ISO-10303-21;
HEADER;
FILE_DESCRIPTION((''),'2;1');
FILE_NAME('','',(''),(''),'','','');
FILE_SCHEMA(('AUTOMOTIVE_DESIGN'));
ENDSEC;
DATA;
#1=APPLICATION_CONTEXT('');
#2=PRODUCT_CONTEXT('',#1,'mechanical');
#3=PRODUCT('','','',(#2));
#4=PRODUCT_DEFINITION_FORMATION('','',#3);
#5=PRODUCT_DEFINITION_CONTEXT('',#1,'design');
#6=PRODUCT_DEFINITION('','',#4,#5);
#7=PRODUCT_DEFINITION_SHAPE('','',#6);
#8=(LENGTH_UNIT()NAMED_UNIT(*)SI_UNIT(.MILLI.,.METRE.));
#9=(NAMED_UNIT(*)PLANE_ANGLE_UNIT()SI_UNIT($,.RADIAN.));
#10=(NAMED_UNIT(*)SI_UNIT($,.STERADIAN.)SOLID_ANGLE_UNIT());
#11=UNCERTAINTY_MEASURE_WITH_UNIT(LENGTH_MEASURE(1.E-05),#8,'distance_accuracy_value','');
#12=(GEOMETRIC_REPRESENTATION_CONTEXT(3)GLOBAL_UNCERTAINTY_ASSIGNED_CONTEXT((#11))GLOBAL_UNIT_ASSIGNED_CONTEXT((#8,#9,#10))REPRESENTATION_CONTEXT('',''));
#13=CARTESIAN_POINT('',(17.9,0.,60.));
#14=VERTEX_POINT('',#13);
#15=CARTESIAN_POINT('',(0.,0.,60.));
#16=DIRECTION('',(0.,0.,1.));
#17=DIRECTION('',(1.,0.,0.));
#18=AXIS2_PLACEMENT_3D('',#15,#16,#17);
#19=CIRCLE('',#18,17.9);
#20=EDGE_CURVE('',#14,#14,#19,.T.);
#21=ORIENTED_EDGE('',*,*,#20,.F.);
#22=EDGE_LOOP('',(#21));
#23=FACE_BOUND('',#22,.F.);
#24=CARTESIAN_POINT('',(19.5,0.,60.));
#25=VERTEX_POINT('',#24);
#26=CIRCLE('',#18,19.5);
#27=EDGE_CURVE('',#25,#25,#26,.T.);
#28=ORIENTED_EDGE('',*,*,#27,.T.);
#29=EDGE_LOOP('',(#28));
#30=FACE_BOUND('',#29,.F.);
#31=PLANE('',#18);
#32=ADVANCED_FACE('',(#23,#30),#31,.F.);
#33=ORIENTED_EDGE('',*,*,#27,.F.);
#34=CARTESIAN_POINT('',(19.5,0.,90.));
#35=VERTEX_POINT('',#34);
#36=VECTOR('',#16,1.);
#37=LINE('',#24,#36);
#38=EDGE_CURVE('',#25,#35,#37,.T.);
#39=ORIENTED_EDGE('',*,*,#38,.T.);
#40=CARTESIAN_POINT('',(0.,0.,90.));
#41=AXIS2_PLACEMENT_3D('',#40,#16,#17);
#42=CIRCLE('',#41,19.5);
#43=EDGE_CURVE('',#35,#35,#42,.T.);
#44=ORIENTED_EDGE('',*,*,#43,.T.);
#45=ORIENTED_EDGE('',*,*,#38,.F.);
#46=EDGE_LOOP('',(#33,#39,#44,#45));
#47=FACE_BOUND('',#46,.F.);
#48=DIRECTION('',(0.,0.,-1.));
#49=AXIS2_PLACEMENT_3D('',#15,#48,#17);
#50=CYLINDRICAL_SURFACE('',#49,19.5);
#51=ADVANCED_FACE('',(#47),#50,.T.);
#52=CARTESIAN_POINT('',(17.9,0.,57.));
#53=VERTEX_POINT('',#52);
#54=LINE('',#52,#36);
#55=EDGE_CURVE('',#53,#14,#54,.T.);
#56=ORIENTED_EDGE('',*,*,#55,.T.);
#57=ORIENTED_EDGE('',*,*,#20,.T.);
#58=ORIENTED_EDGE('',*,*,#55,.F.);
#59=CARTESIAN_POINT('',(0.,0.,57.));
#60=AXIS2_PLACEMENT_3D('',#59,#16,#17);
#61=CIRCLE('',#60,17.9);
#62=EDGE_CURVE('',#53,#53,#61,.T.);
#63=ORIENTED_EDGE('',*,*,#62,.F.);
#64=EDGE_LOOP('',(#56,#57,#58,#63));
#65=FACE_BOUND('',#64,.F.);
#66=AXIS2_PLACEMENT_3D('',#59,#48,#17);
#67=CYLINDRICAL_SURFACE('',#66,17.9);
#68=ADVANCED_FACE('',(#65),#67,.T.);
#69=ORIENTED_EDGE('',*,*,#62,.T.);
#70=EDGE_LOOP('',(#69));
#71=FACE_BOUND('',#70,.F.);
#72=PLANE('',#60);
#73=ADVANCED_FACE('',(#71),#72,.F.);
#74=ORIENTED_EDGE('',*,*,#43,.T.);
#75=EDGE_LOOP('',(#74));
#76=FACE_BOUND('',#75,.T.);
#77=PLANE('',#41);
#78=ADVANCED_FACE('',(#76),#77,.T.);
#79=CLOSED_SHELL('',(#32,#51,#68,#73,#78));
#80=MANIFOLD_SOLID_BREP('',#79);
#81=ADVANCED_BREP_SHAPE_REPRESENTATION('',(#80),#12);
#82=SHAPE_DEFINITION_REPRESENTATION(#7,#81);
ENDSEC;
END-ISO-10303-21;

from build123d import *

# Parameters (mm, degrees)
CYLINDER001_R     = 19.5
CYLINDER001_DEPTH = 30
CYLINDER_R        = 10.3
CYLINDER_DEPTH    = 3
CYLINDER003_R     = 17.9
CYLINDER003_DEPTH = 3


with BuildPart() as cylinder001:
    # Cylinder001 → Cylinder001 (new body)
    with BuildSketch(Plane.XY.offset(60)):
        Circle(CYLINDER001_R)
    extrude(amount=CYLINDER001_DEPTH)


with BuildPart() as fusion:
    # Cylinder → Cylinder (new body)
    with BuildSketch(Plane.XY.offset(57)):
        Circle(CYLINDER_R)
    extrude(amount=CYLINDER_DEPTH)

    # Fusion: union Cylinder001
    add(cylinder001.part)


with BuildPart() as alargador:
    # Cylinder003 → Cylinder003 (new body)
    with BuildSketch(Plane.XY.offset(57)):
        Circle(CYLINDER003_R)
    extrude(amount=CYLINDER003_DEPTH)

    # Fusion001: union Fusion
    add(fusion.part)


solid = alargador.part
